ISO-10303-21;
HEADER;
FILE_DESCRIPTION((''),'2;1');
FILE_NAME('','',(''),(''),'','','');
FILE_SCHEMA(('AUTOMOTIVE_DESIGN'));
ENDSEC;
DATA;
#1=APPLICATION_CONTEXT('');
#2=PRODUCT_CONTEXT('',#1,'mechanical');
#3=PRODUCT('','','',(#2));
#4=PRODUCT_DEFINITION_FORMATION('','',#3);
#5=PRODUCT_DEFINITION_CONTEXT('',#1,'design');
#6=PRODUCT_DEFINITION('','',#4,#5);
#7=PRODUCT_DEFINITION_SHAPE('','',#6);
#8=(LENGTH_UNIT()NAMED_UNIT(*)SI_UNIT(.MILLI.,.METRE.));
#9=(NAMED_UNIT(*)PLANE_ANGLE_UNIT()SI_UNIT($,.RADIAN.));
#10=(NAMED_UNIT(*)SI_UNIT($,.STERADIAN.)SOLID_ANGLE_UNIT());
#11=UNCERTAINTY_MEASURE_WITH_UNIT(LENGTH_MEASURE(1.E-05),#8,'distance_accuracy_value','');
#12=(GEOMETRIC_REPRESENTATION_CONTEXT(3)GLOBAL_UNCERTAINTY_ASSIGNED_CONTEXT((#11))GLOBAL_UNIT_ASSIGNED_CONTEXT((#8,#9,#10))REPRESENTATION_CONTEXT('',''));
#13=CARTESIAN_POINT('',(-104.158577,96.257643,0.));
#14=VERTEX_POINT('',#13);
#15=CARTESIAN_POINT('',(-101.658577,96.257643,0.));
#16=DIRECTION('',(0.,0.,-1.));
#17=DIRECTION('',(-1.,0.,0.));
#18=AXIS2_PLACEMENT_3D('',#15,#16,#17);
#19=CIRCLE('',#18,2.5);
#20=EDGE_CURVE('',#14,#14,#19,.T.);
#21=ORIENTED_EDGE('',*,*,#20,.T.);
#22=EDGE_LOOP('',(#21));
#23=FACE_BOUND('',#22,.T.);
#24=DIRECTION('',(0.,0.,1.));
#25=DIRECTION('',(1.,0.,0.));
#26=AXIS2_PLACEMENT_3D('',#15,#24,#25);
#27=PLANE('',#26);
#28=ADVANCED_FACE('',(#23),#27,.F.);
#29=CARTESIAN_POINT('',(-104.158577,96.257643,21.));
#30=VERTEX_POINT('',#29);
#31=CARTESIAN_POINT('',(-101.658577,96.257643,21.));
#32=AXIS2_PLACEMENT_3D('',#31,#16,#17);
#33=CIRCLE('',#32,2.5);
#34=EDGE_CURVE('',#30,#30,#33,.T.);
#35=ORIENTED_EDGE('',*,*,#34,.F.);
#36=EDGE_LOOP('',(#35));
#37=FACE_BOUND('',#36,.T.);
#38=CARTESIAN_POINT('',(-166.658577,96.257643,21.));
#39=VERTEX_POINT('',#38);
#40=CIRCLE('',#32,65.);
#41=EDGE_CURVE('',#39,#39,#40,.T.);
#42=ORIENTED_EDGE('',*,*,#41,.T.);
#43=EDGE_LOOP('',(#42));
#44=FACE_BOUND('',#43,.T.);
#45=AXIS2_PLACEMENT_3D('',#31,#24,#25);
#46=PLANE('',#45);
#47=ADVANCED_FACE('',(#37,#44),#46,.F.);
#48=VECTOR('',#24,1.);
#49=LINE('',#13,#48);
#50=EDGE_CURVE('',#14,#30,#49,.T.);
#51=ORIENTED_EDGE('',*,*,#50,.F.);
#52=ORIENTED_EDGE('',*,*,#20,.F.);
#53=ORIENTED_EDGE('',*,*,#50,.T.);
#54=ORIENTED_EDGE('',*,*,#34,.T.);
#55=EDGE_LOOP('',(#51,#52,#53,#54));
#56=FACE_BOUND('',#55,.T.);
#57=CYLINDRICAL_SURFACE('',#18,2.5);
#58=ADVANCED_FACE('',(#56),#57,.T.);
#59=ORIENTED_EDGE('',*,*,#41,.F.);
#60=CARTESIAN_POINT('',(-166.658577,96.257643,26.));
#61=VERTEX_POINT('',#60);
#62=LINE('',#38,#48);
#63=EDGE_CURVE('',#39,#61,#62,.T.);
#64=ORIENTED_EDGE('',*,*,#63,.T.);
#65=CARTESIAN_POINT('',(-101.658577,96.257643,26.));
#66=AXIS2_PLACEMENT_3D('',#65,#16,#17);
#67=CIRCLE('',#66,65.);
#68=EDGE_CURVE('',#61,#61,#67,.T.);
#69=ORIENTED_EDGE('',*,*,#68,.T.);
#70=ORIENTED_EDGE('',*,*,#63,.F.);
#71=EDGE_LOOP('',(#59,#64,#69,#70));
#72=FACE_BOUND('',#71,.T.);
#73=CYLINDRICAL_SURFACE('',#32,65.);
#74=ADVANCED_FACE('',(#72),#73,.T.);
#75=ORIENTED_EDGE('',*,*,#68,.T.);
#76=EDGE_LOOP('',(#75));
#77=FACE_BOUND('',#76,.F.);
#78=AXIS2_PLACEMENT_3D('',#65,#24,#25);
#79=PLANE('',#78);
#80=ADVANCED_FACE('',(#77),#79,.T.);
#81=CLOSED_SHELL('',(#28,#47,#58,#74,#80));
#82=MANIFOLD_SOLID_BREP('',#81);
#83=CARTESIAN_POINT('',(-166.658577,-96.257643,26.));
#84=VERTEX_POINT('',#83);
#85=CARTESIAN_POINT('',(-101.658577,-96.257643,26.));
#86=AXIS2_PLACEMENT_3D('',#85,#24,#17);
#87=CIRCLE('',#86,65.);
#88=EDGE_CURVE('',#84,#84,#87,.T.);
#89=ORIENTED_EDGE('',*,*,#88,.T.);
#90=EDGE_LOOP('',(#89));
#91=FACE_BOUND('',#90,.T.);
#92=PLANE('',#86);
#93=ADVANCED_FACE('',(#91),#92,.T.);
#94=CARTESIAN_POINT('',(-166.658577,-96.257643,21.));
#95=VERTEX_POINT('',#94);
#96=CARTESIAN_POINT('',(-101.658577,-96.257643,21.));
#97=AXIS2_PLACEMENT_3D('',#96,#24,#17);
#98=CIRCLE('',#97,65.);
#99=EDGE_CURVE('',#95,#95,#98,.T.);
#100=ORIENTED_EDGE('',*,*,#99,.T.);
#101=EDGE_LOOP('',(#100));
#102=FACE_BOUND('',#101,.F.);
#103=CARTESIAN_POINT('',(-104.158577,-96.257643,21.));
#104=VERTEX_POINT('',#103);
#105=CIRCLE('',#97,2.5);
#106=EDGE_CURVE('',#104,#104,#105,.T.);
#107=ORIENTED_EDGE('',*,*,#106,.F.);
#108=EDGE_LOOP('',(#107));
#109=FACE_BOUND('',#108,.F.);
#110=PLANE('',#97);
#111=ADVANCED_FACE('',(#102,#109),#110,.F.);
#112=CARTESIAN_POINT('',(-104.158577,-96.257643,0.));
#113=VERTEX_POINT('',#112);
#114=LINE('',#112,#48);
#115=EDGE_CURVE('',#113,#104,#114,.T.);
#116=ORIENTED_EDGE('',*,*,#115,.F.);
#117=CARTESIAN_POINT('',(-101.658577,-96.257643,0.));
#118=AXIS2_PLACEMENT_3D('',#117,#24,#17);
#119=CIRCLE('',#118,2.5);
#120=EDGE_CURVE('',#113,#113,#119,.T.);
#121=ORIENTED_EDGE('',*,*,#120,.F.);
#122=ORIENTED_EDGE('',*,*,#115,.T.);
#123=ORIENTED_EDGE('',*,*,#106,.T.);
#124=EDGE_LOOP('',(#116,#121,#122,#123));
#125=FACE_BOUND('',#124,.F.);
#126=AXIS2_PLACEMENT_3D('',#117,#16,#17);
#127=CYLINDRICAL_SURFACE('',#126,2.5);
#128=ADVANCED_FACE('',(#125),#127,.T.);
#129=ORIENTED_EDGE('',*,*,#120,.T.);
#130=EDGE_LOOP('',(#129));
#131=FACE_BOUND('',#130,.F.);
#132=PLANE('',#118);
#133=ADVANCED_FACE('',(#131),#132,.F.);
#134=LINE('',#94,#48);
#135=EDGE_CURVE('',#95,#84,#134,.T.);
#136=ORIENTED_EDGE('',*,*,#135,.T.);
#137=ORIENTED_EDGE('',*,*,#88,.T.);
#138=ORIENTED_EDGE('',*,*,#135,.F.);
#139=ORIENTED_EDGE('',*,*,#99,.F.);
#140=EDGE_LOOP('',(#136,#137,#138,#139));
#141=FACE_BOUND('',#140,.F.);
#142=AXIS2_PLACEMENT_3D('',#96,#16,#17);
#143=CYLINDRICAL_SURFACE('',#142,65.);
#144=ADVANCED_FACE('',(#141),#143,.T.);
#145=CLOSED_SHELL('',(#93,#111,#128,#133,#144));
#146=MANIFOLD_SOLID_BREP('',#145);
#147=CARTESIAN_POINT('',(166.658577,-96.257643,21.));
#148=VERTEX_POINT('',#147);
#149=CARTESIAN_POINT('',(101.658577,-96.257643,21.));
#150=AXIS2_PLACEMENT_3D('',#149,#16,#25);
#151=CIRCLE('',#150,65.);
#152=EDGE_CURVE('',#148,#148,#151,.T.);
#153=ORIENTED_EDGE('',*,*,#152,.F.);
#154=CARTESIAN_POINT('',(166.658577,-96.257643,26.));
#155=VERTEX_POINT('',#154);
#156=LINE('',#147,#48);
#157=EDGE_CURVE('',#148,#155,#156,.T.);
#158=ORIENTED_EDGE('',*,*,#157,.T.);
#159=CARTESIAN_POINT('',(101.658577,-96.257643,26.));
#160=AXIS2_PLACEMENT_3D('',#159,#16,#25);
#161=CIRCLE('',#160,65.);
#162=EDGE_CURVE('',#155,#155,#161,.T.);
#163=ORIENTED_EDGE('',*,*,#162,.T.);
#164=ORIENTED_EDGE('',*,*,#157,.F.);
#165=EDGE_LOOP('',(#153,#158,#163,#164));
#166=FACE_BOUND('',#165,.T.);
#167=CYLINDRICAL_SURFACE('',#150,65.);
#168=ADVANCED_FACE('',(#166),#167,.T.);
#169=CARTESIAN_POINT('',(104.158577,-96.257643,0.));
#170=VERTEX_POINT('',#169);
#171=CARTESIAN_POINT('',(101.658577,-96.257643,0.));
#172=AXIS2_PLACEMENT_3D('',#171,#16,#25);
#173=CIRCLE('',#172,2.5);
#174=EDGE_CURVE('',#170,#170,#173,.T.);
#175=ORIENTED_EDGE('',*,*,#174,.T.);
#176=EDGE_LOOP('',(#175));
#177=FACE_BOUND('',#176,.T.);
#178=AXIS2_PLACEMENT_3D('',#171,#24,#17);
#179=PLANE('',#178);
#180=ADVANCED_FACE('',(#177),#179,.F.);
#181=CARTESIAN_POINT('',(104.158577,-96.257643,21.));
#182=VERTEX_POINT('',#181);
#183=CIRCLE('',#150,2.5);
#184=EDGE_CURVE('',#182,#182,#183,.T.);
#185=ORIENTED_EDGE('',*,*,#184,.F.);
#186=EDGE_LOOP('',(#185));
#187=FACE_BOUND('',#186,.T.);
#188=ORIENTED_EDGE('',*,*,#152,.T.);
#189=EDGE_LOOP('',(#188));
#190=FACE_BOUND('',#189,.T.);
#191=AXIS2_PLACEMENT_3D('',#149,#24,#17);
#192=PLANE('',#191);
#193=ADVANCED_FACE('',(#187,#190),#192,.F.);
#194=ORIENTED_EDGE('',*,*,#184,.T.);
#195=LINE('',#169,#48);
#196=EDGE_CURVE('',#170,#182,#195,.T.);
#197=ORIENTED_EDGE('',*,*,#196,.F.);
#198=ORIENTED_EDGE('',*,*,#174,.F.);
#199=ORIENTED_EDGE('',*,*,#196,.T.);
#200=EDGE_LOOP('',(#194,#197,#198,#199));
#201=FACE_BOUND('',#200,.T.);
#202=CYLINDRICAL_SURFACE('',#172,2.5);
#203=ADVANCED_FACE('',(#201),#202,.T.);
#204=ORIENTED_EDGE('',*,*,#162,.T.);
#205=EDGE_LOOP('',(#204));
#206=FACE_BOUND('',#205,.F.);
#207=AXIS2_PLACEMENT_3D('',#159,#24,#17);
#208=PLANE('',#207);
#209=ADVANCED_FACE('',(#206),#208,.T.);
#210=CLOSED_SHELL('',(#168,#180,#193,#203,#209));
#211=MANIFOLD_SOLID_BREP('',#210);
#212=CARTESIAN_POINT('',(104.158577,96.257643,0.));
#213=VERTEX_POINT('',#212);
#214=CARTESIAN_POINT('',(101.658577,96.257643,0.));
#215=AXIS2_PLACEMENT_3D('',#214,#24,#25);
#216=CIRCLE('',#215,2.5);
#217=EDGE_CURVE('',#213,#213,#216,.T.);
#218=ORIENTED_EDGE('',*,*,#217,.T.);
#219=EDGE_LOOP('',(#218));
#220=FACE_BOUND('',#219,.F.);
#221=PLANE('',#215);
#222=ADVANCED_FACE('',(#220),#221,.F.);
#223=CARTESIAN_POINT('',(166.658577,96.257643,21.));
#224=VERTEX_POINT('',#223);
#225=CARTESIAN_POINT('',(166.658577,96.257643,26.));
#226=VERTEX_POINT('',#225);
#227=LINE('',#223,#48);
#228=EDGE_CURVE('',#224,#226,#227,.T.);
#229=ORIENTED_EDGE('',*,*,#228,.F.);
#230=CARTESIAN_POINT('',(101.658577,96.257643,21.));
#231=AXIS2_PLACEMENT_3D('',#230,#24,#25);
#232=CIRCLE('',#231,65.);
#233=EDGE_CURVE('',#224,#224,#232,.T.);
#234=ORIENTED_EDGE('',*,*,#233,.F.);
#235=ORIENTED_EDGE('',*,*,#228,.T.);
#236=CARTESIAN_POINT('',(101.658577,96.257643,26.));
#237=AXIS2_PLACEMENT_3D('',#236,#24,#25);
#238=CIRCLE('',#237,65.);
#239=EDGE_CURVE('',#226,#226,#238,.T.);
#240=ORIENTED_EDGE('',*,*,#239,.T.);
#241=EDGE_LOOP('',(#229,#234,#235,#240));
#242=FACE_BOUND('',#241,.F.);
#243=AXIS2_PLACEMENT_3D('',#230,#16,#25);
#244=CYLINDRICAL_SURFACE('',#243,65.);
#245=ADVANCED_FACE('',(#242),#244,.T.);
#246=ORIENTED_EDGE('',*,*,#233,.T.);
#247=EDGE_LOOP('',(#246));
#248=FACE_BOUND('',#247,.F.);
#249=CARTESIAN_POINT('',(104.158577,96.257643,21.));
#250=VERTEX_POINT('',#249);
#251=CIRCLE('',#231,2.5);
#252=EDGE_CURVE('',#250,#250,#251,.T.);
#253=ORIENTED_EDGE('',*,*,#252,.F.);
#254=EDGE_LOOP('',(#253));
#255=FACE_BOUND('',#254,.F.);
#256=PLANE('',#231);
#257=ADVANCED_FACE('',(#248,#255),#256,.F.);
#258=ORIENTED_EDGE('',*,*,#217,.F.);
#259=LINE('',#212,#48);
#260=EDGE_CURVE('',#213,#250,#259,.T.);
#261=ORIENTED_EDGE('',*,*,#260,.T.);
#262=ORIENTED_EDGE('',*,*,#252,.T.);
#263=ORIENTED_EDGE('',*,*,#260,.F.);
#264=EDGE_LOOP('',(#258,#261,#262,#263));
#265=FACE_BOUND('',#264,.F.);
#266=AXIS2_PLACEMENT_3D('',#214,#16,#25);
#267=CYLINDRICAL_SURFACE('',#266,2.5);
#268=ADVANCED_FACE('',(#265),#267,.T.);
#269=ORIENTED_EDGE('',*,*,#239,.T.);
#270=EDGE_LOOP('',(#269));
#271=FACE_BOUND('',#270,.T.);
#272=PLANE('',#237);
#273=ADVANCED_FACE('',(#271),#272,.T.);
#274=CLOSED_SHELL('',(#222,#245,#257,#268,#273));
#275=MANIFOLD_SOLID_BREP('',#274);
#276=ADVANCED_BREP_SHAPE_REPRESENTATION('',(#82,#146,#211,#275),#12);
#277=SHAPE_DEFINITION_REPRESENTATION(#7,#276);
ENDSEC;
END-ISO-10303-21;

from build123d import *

# Parameters (mm, degrees)
F0_R     = 2.5
F1_DEPTH = 21
F2_R     = 65
F3_DEPTH = 5


with BuildPart() as f1:
    # F0 (on Top) → F1 (new body)
    with BuildSketch(Plane.XY):
        with Locations((101.658577, 96.257643)):
            Circle(F0_R)
    extrude(amount=F1_DEPTH)

    # F2 (on face) → F3 (join)
    with BuildSketch(Plane.XY.offset(21)):
        with Locations((101.658577, 96.257643)):
            Circle(F2_R)
    extrude(amount=F3_DEPTH)


with BuildPart() as f4_1:
    # F4: instance of F1
    add(f1.part.mirror(Plane.YZ))


with BuildPart() as f5_1:
    # F5: instance of F4_1
    add(f4_1.part.mirror(Plane.XZ))


with BuildPart() as f5_2:
    # F5: instance of F1
    add(f1.part.mirror(Plane.XZ))


solid = Compound([f1.part, f4_1.part, f5_1.part, f5_2.part])
